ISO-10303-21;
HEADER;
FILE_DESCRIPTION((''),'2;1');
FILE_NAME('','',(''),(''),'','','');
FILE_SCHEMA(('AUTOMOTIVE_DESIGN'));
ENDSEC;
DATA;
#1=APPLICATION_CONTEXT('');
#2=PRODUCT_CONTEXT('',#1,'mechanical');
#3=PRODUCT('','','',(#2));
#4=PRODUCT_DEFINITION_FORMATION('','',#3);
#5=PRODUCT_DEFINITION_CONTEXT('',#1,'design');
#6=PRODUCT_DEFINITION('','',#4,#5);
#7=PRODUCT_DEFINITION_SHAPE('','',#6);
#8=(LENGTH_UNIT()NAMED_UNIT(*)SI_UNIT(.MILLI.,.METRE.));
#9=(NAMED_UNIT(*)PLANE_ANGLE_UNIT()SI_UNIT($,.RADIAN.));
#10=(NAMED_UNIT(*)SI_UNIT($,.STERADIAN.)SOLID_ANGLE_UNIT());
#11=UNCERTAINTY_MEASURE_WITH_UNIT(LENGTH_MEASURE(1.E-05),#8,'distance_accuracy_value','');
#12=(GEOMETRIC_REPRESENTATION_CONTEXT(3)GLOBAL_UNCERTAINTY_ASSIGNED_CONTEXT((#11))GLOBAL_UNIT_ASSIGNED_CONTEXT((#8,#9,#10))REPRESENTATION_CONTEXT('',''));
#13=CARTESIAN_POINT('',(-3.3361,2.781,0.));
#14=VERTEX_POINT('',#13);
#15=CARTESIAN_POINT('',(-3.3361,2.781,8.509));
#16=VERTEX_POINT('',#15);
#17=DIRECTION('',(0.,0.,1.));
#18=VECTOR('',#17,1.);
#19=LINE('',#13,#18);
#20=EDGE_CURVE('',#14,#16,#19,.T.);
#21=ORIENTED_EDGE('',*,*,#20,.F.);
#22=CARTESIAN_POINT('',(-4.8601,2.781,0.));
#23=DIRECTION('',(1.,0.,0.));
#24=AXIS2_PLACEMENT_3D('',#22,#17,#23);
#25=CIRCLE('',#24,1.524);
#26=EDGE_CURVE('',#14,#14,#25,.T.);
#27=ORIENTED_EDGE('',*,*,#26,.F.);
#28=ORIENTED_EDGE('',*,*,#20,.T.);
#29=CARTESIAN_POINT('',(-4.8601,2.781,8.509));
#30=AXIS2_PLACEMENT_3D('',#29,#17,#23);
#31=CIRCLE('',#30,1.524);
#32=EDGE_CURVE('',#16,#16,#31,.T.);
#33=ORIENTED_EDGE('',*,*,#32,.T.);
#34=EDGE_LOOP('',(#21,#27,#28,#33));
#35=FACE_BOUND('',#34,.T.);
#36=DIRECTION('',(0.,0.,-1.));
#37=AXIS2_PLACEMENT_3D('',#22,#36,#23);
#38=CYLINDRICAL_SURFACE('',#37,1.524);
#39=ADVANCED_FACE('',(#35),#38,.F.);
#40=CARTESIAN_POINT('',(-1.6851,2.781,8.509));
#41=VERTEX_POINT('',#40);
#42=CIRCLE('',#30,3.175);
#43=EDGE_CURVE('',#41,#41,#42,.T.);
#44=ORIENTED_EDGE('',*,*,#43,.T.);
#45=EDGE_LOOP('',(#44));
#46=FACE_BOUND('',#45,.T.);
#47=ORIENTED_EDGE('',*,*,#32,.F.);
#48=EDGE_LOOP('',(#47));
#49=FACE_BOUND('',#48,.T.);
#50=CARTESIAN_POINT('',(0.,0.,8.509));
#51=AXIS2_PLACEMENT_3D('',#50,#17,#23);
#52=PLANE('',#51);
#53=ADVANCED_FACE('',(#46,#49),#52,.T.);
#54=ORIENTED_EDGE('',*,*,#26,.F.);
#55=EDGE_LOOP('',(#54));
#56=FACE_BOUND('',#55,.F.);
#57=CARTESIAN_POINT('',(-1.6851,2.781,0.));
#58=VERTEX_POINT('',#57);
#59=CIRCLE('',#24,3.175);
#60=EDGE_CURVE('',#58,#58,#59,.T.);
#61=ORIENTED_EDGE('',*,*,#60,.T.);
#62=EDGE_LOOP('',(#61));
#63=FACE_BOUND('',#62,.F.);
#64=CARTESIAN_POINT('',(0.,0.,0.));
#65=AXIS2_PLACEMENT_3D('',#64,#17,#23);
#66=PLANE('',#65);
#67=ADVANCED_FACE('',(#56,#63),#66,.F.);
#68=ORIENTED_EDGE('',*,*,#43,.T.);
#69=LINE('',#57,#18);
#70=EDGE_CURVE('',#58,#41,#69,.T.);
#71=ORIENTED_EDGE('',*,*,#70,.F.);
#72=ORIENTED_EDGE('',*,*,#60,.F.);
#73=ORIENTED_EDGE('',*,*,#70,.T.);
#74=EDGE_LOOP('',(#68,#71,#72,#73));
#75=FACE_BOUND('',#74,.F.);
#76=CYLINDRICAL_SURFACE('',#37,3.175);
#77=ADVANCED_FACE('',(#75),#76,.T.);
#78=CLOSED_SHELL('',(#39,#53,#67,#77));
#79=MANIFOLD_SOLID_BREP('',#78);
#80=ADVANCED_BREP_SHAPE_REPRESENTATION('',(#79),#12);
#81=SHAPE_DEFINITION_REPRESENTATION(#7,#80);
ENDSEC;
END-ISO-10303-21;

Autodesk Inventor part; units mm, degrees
ref_plane "YZ Plane" through (0, 0, 0) normal (1, 0, 0) x (0, 1, 0)
ref_plane "XZ Plane" through (0, 0, 0) normal (0, 1, 0) x (-1, 0, 0)
ref_plane "XY Plane" through (0, 0, 0) normal (0, 0, 1) x (1, 0, 0)
sketch "Sketch1" plane through (0, 0, 0) normal (0, 0, 1) x (1, 0, 0)
  circle A0 centre (-4.8601, 2.781) radius 1.524
  circle A1 centre (-4.8601, 2.781) radius 3.175
  point P0 (0, 0)
  dimension "d0" = 3.048
  dimension "d1" = 6.35
extrude "Extrusion1" add sketch "Sketch1" along normal blind 8.509
properties part number "Standoff0.827in"
